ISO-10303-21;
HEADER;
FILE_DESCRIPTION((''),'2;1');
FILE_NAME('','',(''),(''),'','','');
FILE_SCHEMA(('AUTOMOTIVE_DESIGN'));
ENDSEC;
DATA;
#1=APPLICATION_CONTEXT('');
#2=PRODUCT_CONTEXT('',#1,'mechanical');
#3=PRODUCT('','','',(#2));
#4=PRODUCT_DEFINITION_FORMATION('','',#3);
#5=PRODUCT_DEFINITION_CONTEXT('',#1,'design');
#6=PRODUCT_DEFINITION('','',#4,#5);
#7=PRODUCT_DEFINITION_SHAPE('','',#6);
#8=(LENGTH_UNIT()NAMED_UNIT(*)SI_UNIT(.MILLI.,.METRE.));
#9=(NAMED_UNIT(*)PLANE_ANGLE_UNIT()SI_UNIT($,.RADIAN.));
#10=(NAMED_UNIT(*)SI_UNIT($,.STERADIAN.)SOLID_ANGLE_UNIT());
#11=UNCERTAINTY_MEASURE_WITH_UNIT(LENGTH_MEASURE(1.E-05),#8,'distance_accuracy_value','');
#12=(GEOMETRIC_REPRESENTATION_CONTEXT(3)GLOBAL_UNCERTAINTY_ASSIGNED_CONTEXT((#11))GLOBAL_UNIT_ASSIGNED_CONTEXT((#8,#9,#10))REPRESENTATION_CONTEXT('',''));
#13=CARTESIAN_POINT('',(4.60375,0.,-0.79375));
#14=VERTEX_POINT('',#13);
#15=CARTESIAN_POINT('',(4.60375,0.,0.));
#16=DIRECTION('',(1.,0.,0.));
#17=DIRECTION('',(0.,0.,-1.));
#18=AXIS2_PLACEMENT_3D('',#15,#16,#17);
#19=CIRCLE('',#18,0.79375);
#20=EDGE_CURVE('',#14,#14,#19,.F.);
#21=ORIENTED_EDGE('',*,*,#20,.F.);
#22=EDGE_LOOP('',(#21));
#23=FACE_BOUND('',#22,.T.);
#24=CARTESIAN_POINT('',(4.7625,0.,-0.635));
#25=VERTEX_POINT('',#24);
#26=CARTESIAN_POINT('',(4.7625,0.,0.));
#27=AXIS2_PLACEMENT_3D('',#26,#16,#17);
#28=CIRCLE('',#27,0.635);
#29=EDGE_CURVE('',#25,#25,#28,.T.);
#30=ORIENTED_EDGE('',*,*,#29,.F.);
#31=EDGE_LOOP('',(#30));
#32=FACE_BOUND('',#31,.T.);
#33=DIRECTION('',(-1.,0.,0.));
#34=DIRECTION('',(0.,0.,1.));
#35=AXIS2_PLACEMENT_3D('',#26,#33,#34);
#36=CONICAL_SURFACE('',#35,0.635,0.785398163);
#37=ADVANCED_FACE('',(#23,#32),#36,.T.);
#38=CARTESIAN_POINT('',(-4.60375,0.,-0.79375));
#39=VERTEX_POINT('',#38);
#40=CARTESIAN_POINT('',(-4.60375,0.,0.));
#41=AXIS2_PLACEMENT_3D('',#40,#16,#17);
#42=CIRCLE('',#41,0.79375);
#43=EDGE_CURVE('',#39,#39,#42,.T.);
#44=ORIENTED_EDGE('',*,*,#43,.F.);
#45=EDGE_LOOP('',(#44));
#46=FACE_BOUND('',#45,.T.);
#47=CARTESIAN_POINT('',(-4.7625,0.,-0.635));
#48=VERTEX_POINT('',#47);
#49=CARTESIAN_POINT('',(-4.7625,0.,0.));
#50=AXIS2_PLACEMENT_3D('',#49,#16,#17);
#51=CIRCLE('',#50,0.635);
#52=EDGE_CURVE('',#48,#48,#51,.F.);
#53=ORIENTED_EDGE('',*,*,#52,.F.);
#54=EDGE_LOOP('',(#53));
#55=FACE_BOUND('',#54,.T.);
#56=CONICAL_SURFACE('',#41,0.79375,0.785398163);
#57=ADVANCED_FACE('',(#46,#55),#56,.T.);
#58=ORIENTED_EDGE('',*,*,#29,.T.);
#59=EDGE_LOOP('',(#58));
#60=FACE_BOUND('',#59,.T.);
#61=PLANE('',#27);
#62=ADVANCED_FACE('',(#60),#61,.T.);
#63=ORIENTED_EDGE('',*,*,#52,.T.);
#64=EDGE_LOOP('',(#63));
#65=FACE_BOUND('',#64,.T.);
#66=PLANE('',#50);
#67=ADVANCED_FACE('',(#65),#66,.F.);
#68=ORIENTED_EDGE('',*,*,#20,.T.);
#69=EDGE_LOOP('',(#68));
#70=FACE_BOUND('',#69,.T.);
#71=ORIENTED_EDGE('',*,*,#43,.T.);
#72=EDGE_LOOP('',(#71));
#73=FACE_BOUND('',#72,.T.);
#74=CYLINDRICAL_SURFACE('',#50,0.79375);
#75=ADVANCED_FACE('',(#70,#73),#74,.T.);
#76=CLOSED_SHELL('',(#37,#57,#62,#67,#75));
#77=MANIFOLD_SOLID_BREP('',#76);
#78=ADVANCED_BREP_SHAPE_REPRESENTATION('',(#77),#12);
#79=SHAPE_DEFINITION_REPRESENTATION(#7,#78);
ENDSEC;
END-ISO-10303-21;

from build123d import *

# Parameters (mm, degrees)
SKETCH2_R           = 0.79375
EXTRUDE1_DEPTH      = 4.7625
EXTRUDE1_DEPTH_BACK = 4.7625
CHAMFER1_SIZE       = 0.15875


with BuildPart() as part:
    # Sketch2 → Extrude1 (new body, two sides)
    with BuildSketch(Plane(origin=(0, 0, 0), x_dir=(0, 0, -1), z_dir=(1, 0, 0))) as extrude1_sk:
        Circle(SKETCH2_R)
    extrude(amount=EXTRUDE1_DEPTH)
    extrude(extrude1_sk.sketch, amount=-EXTRUDE1_DEPTH_BACK)

    # Chamfer1
    chamfer1_edges = [part.edges().sort_by_distance(p)[0] for p in [
        (-4.7625, 0, 0.79375),
        (4.7625, 0, 0.79375),
    ]]
    chamfer(chamfer1_edges, length=CHAMFER1_SIZE)


solid = part.part
